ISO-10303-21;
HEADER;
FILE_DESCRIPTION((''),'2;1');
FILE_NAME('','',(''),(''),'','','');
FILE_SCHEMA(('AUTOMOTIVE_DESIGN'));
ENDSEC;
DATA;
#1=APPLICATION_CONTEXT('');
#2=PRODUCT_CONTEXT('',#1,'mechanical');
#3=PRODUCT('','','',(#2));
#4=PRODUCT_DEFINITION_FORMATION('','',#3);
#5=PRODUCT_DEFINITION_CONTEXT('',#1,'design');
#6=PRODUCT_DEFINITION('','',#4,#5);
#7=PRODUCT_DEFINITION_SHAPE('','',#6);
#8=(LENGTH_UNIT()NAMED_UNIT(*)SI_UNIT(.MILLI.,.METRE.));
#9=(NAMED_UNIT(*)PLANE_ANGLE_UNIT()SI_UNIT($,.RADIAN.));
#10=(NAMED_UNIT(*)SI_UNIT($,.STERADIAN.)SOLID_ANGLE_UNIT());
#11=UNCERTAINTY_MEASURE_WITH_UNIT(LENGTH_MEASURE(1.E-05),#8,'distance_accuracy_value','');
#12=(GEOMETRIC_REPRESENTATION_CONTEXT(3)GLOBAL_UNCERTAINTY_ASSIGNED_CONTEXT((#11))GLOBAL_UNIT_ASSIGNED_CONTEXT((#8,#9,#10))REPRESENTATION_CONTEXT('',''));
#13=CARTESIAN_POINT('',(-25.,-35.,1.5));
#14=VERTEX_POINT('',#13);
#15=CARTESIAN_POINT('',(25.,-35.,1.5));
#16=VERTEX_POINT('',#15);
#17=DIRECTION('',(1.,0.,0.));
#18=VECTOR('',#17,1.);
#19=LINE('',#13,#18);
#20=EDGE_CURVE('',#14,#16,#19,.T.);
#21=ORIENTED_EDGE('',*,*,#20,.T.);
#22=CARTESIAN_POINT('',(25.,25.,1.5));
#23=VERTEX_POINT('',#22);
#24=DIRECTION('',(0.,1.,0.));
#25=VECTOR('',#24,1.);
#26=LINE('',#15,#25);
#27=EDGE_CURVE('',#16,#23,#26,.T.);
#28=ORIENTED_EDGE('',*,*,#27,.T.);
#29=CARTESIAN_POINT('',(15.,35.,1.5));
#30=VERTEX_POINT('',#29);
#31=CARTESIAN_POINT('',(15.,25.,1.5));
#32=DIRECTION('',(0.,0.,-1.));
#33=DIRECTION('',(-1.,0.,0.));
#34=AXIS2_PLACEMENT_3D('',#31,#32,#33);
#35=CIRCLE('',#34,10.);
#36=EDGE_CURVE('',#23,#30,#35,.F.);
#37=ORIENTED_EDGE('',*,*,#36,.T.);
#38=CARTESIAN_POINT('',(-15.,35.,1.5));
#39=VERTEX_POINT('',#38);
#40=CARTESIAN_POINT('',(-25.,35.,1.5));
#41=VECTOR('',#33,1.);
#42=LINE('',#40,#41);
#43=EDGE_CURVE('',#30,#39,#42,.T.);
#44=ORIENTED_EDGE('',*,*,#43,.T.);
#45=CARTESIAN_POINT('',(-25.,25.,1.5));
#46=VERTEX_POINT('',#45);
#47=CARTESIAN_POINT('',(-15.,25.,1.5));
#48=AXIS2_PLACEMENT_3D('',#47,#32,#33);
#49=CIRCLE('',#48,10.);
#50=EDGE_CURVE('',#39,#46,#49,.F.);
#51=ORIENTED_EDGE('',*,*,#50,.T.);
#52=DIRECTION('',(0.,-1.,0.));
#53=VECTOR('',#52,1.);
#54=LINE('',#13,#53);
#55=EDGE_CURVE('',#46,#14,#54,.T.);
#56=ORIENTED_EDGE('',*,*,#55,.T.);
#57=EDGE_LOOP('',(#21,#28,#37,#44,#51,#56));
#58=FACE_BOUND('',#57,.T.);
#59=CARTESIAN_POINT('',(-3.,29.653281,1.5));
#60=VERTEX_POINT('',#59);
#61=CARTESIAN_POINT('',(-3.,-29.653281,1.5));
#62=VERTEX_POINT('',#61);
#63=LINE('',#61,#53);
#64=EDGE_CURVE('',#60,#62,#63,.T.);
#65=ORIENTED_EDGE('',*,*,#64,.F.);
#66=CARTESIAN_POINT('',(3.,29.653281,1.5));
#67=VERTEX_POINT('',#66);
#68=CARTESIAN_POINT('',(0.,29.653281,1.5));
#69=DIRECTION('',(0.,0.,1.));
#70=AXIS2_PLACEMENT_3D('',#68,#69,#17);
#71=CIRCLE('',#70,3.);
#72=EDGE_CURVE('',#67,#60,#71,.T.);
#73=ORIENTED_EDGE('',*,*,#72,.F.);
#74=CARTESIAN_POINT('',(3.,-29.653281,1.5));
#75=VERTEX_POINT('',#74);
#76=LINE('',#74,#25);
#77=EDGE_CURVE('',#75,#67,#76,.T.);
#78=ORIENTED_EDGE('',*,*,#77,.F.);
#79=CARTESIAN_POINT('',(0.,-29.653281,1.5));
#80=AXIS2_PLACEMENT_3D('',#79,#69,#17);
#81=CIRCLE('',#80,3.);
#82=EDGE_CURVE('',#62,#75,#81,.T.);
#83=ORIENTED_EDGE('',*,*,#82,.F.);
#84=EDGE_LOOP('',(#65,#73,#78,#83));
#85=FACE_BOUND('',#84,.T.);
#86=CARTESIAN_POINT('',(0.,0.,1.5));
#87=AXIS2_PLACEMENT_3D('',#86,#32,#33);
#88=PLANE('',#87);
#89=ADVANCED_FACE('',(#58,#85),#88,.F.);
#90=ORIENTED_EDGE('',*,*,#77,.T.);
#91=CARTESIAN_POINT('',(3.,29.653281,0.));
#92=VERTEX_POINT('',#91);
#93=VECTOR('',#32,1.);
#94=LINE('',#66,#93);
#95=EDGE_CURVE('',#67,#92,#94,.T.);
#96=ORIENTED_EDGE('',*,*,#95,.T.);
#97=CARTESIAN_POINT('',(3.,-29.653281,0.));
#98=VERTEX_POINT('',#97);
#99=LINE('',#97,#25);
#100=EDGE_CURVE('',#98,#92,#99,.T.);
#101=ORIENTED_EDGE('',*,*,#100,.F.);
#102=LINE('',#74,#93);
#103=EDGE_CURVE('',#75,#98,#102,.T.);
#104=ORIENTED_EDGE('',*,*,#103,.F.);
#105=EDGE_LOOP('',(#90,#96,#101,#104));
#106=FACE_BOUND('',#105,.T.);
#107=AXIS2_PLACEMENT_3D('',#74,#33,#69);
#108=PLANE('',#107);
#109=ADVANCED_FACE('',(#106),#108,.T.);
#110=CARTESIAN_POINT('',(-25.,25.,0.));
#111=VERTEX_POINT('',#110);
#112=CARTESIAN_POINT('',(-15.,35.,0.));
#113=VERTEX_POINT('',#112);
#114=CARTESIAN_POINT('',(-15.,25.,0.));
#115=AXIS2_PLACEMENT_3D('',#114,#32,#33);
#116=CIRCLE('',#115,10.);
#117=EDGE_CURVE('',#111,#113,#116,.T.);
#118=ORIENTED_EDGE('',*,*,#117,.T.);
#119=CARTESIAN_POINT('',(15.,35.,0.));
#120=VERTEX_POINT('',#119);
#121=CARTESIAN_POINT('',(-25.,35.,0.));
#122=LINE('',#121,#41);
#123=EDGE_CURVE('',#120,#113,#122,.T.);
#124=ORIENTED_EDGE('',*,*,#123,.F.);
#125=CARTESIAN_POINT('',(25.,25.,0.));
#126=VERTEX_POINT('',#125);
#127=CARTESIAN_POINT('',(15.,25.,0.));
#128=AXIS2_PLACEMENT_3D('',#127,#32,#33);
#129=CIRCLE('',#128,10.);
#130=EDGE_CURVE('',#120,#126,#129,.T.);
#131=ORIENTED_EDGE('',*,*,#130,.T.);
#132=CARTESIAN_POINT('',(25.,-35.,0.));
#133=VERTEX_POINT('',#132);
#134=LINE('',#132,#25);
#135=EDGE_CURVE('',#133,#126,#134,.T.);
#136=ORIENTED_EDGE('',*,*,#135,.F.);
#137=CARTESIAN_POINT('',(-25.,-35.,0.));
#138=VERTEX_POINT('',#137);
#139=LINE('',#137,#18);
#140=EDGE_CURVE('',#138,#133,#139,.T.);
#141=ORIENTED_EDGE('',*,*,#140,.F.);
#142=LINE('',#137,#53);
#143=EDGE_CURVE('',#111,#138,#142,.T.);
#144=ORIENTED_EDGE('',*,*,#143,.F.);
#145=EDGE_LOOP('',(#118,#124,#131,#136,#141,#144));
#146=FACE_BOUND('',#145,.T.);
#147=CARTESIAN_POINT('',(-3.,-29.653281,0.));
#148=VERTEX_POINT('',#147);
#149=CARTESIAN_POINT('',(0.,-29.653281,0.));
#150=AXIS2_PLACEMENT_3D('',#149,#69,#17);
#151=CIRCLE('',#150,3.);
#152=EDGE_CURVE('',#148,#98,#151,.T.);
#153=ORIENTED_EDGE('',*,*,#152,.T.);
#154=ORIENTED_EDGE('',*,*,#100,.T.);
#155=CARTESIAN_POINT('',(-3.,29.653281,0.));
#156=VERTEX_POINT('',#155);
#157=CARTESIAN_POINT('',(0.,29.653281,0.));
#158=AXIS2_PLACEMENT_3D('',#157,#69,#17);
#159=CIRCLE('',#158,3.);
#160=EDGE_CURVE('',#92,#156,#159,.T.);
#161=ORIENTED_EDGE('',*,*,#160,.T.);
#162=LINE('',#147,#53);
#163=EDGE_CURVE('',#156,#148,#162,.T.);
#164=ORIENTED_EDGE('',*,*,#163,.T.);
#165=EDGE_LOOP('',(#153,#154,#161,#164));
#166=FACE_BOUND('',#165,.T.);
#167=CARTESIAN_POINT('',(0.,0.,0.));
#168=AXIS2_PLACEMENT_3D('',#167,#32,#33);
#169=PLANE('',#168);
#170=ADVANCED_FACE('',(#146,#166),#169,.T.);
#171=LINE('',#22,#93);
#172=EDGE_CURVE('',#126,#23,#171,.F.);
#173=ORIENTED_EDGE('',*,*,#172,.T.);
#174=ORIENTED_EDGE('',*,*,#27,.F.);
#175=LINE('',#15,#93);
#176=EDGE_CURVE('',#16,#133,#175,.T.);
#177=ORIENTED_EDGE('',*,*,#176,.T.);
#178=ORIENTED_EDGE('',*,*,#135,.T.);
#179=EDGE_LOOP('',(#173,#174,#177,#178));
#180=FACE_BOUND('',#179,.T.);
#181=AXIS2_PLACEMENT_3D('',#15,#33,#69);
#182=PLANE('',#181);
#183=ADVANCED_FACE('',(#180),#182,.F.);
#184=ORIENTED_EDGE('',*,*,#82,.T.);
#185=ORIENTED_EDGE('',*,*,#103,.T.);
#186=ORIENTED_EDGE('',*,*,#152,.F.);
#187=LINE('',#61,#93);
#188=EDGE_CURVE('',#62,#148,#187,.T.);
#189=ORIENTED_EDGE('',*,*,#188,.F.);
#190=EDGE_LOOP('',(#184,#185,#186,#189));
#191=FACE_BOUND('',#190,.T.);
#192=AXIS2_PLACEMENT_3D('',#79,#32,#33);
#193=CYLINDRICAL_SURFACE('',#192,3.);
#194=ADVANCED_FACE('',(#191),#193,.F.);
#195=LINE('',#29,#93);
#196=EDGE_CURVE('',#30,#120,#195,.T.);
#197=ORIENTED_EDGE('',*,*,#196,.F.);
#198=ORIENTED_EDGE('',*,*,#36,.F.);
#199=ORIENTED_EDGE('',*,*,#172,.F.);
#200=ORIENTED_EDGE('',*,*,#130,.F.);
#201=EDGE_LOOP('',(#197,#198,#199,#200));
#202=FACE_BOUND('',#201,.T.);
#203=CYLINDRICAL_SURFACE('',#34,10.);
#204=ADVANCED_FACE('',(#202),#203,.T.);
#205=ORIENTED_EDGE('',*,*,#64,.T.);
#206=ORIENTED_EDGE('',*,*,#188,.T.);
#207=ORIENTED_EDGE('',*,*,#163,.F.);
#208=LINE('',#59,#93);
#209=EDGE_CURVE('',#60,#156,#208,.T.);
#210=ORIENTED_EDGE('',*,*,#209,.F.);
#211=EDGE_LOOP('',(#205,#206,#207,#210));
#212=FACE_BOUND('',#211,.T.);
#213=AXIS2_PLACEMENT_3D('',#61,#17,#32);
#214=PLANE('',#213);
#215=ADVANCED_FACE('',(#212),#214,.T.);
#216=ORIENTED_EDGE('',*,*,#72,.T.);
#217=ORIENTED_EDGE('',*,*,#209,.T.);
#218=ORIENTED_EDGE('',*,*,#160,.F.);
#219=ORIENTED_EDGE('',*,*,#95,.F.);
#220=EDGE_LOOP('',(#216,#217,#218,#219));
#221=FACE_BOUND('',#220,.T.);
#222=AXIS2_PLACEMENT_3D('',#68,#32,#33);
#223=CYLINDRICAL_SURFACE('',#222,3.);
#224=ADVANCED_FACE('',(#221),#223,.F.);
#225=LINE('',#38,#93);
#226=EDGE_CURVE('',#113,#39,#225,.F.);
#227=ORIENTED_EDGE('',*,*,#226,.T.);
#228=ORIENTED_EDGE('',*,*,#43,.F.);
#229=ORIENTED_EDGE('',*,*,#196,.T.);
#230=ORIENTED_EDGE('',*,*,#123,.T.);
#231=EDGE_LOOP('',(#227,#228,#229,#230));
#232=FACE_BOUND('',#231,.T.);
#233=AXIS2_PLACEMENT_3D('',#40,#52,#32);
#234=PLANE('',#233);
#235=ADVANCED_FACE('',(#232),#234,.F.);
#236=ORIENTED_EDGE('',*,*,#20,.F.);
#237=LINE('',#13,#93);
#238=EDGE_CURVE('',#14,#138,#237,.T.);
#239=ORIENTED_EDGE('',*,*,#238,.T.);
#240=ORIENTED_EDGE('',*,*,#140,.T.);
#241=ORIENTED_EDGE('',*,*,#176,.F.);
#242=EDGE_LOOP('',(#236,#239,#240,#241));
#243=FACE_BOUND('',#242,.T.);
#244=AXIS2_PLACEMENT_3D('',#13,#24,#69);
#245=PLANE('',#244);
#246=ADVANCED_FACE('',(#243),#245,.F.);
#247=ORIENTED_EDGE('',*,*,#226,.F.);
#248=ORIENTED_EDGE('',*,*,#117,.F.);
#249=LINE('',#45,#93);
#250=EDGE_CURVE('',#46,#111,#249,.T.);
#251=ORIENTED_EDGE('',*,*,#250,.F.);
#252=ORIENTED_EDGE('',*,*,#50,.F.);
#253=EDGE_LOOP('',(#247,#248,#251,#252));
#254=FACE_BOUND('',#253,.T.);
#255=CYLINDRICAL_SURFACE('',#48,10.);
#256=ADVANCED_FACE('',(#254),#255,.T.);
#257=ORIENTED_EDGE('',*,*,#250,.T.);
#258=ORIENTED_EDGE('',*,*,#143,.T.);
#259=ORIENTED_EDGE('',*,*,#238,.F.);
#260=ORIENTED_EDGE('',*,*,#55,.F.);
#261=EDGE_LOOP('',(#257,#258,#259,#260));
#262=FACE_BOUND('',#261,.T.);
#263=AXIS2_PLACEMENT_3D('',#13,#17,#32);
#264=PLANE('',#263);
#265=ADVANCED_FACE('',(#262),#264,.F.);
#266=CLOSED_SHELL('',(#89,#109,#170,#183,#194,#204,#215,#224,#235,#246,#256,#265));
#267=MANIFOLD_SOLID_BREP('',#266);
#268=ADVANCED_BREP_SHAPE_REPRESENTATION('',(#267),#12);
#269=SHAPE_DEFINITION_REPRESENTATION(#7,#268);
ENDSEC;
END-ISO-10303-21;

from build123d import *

# Parameters (mm, degrees)
SKETCH1_W           = 50
SKETCH1_H           = 70
BOSS_EXTRUDE1_DEPTH = 1.5
FILLET1_R           = 10


with BuildPart() as part:
    # Sketch1 → Boss-Extrude1 (new body)
    with BuildSketch(Plane.XY):
        Rectangle(SKETCH1_W, SKETCH1_H)
        with BuildLine():
            Line((-3, -29.653280585), (-3, 29.653280585))
            ThreePointArc((-3, 29.653280585), (0, 32.653280585), (3, 29.653280585))
            Line((3, 29.653280585), (3, -29.653280585))
            ThreePointArc((3, -29.653280585), (0, -32.653280585), (-3, -29.653280585))
        make_face(mode=Mode.SUBTRACT)
    extrude(amount=BOSS_EXTRUDE1_DEPTH)

    # Fillet1
    fillet1_edges = [part.edges().sort_by_distance(p)[0] for p in [
        (-25, 35, 0.75),
        (25, 35, 0.75),
    ]]
    fillet(fillet1_edges, radius=FILLET1_R)


solid = part.part
